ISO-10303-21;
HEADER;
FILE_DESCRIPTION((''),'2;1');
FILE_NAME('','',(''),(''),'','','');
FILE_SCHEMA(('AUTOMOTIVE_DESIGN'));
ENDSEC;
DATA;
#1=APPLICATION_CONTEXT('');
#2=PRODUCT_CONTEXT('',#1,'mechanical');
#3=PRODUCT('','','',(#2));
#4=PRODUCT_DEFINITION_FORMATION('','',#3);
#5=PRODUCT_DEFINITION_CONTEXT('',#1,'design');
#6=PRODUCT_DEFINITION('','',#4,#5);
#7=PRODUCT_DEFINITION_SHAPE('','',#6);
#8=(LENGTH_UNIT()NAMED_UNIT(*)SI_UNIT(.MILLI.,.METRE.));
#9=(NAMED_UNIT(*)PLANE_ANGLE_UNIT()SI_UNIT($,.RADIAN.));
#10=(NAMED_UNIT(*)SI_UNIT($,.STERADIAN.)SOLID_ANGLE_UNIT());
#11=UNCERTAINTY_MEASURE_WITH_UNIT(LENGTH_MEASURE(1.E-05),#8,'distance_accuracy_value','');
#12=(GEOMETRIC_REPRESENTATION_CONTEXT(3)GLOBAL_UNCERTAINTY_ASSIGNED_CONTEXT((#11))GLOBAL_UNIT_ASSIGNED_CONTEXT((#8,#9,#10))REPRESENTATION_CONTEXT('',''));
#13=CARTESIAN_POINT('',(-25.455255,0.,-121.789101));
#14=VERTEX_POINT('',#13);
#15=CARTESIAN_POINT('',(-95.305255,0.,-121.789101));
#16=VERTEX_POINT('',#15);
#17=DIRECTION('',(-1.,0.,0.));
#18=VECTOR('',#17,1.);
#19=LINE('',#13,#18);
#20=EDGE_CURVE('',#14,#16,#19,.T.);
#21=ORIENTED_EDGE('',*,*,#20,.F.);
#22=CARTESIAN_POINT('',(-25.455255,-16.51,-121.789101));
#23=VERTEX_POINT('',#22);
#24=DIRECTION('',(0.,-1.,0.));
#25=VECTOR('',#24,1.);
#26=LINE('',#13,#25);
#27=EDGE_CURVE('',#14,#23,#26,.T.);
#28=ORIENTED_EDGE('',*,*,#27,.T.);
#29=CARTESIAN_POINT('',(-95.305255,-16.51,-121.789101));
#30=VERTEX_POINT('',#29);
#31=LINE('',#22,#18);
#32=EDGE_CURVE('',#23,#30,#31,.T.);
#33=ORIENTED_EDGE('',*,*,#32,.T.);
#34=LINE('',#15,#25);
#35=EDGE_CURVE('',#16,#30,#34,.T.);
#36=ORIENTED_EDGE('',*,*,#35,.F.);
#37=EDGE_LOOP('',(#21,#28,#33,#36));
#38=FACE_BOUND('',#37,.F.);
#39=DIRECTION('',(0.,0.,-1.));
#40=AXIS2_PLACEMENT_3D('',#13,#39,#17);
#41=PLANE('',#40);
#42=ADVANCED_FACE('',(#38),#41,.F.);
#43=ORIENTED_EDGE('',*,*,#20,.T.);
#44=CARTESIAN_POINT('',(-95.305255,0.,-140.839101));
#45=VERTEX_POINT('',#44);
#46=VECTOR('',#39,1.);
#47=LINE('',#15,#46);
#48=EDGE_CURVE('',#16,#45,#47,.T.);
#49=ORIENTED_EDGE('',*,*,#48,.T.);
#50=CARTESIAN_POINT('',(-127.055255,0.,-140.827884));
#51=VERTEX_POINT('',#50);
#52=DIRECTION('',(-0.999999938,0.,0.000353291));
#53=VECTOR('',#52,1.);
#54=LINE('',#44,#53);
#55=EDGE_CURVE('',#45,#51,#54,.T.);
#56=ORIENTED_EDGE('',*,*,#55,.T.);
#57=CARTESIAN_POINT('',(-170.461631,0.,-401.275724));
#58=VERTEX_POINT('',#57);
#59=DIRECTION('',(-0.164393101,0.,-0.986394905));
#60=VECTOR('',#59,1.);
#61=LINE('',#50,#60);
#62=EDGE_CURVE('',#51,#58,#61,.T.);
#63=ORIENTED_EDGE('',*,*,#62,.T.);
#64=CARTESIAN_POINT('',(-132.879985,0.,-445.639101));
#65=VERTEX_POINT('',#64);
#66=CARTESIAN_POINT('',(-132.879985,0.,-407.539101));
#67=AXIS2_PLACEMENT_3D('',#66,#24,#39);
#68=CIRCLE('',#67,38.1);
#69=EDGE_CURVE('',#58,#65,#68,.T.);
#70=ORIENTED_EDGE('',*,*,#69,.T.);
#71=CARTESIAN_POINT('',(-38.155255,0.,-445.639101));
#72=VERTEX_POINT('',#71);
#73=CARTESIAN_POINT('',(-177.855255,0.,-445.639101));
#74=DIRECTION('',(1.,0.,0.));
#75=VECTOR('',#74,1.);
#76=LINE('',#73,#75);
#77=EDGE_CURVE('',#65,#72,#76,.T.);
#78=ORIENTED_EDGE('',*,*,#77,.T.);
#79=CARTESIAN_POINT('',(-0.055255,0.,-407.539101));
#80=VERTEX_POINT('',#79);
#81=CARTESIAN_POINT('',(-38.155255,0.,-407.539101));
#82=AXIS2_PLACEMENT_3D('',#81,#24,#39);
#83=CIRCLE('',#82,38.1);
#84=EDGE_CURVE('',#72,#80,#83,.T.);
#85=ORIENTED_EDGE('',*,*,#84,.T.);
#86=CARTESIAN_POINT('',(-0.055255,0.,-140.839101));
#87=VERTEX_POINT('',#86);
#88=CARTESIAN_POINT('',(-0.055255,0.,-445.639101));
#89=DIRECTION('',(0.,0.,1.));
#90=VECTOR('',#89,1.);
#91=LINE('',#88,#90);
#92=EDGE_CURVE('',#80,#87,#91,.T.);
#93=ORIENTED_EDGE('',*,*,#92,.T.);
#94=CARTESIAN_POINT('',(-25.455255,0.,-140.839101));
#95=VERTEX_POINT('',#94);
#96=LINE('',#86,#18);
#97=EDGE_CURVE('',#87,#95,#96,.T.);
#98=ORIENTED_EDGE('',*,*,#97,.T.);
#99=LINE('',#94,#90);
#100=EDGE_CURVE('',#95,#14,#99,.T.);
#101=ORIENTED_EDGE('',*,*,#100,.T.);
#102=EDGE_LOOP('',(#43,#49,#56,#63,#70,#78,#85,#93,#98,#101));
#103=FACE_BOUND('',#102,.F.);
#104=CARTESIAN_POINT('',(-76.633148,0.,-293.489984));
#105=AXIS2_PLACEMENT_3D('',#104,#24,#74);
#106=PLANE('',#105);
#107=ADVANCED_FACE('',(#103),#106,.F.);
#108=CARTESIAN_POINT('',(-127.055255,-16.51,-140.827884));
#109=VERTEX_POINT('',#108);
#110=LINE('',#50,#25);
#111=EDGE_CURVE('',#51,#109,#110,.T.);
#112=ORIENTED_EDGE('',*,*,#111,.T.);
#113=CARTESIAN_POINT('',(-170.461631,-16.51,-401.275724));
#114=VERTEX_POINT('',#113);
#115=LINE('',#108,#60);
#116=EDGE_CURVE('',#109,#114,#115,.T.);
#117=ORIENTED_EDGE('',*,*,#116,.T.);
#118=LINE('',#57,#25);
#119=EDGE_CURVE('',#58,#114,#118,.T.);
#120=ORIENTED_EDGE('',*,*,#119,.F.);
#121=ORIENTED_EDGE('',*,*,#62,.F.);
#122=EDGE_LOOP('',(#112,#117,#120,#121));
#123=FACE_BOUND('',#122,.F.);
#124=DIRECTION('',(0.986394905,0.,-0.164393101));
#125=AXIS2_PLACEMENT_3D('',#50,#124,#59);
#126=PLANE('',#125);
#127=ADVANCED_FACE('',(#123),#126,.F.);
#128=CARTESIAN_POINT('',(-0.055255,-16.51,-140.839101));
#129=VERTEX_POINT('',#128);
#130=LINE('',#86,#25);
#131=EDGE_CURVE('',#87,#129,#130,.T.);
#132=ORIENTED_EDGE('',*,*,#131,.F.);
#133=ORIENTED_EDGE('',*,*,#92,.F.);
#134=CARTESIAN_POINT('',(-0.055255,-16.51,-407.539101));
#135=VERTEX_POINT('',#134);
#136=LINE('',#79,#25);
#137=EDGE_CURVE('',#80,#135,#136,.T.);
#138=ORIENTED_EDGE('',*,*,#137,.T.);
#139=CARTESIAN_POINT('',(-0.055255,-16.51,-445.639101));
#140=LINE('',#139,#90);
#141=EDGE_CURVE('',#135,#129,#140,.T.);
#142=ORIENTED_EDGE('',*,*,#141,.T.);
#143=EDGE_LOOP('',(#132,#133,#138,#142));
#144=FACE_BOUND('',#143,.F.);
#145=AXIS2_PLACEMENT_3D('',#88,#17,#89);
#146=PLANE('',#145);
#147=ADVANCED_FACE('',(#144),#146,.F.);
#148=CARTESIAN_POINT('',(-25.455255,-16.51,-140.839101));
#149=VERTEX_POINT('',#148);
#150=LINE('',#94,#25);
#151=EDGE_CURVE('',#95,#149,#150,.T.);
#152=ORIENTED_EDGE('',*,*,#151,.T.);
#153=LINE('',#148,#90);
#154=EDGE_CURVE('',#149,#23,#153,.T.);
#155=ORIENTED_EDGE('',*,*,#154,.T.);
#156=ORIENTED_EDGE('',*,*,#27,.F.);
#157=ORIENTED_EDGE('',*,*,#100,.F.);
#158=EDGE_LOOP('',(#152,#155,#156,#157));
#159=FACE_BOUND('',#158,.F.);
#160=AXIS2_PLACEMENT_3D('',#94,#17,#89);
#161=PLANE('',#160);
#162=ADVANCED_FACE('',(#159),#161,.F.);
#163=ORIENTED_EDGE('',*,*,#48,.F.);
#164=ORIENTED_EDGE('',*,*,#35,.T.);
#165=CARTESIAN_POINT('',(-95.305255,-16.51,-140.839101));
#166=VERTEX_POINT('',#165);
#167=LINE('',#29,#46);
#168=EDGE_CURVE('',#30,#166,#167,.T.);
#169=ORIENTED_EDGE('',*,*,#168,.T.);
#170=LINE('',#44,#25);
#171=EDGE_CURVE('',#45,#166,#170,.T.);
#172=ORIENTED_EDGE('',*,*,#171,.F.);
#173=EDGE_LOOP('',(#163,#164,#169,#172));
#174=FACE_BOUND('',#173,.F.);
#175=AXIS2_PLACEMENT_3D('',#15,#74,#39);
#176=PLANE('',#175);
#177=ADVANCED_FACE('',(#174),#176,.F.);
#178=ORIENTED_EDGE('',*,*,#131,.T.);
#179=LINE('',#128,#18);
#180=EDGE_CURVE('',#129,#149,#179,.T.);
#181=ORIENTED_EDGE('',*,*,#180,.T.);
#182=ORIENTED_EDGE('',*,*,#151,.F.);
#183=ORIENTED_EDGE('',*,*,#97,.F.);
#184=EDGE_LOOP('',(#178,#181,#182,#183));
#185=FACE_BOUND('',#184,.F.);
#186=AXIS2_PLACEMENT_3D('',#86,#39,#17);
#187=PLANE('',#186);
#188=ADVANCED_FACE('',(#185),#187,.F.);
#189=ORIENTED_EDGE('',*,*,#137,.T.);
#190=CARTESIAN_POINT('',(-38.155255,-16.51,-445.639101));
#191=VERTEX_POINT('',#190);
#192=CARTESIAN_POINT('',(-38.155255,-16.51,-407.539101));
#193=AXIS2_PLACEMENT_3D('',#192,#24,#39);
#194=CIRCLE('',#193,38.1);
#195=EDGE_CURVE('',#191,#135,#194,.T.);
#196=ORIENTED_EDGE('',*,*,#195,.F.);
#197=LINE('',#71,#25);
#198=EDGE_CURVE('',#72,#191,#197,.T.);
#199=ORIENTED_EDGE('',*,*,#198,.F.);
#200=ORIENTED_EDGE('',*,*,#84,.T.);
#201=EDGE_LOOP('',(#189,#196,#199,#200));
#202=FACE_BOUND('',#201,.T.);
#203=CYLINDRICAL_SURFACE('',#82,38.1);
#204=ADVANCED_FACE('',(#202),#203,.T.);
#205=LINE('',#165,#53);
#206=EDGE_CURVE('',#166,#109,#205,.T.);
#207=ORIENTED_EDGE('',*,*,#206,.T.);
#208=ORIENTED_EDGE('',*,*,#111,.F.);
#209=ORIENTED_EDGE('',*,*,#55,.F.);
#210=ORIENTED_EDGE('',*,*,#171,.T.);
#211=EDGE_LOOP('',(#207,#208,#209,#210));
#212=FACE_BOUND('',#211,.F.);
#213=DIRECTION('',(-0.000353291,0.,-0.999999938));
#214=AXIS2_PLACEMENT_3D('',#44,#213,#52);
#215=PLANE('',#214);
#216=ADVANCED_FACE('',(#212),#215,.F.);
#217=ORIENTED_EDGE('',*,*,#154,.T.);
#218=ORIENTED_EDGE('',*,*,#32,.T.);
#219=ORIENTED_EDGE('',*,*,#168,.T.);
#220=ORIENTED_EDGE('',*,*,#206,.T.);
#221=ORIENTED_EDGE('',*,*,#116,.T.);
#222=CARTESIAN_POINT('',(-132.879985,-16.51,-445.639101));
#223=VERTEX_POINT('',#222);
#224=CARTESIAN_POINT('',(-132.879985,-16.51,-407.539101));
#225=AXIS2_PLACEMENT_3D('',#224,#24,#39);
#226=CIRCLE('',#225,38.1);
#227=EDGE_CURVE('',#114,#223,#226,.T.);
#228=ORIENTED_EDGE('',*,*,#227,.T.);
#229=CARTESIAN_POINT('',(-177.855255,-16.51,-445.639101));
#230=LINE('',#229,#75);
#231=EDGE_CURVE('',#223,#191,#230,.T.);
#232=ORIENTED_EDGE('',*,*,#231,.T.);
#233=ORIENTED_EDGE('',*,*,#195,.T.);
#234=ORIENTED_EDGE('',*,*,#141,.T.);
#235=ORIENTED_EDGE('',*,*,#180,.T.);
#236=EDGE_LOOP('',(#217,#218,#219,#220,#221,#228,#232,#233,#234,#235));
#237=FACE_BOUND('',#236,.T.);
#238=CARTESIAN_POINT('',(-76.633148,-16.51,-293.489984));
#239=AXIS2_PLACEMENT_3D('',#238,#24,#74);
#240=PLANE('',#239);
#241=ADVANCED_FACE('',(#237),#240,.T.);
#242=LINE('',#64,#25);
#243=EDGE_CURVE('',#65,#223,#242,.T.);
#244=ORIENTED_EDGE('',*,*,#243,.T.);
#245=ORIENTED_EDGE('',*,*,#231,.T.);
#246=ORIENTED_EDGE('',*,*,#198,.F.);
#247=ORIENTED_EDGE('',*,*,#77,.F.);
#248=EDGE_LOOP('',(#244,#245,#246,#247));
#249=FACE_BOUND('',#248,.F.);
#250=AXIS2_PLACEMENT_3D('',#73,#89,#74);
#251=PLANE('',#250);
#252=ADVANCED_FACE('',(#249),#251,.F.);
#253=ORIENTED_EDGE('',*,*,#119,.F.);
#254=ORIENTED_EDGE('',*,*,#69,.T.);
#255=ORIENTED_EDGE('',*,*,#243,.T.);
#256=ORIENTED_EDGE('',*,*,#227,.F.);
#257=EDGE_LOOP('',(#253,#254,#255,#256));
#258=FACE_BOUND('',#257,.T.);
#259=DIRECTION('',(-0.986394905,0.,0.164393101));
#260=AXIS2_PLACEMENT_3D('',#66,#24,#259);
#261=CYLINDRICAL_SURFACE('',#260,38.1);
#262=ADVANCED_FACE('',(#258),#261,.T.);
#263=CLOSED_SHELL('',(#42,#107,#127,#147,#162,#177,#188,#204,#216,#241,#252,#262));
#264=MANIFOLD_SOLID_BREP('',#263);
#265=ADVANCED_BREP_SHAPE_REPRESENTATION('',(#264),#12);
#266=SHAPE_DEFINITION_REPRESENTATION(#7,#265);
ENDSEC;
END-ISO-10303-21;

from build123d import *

# Parameters (mm, degrees)
F1_DEPTH = 16.51
F2_R     = 38.1
F3_R     = 38.1


with BuildPart() as f1:
    # F0 (on Front) → F1 (new body)
    with BuildSketch(Plane.XZ):
        Polygon((-0.055255, -445.639101), (-0.055255, -140.839101), (-25.455255, -140.839101), (-25.455255, -121.789101), (-95.305255, -121.789101), (-95.305255, -140.839101), (-127.055255, -140.827884), (-177.855255, -445.639101), align=None)
    extrude(amount=F1_DEPTH)

    # F2
    f2_edges = [f1.edges().sort_by_distance(p)[0] for p in [
        (-177.855255, -8.255, -445.639101),
    ]]
    fillet(f2_edges, radius=F2_R)

    # F3
    f3_edges = [f1.edges().sort_by_distance(p)[0] for p in [
        (-0.055255, -8.255, -445.639101),
    ]]
    fillet(f3_edges, radius=F3_R)


solid = f1.part
